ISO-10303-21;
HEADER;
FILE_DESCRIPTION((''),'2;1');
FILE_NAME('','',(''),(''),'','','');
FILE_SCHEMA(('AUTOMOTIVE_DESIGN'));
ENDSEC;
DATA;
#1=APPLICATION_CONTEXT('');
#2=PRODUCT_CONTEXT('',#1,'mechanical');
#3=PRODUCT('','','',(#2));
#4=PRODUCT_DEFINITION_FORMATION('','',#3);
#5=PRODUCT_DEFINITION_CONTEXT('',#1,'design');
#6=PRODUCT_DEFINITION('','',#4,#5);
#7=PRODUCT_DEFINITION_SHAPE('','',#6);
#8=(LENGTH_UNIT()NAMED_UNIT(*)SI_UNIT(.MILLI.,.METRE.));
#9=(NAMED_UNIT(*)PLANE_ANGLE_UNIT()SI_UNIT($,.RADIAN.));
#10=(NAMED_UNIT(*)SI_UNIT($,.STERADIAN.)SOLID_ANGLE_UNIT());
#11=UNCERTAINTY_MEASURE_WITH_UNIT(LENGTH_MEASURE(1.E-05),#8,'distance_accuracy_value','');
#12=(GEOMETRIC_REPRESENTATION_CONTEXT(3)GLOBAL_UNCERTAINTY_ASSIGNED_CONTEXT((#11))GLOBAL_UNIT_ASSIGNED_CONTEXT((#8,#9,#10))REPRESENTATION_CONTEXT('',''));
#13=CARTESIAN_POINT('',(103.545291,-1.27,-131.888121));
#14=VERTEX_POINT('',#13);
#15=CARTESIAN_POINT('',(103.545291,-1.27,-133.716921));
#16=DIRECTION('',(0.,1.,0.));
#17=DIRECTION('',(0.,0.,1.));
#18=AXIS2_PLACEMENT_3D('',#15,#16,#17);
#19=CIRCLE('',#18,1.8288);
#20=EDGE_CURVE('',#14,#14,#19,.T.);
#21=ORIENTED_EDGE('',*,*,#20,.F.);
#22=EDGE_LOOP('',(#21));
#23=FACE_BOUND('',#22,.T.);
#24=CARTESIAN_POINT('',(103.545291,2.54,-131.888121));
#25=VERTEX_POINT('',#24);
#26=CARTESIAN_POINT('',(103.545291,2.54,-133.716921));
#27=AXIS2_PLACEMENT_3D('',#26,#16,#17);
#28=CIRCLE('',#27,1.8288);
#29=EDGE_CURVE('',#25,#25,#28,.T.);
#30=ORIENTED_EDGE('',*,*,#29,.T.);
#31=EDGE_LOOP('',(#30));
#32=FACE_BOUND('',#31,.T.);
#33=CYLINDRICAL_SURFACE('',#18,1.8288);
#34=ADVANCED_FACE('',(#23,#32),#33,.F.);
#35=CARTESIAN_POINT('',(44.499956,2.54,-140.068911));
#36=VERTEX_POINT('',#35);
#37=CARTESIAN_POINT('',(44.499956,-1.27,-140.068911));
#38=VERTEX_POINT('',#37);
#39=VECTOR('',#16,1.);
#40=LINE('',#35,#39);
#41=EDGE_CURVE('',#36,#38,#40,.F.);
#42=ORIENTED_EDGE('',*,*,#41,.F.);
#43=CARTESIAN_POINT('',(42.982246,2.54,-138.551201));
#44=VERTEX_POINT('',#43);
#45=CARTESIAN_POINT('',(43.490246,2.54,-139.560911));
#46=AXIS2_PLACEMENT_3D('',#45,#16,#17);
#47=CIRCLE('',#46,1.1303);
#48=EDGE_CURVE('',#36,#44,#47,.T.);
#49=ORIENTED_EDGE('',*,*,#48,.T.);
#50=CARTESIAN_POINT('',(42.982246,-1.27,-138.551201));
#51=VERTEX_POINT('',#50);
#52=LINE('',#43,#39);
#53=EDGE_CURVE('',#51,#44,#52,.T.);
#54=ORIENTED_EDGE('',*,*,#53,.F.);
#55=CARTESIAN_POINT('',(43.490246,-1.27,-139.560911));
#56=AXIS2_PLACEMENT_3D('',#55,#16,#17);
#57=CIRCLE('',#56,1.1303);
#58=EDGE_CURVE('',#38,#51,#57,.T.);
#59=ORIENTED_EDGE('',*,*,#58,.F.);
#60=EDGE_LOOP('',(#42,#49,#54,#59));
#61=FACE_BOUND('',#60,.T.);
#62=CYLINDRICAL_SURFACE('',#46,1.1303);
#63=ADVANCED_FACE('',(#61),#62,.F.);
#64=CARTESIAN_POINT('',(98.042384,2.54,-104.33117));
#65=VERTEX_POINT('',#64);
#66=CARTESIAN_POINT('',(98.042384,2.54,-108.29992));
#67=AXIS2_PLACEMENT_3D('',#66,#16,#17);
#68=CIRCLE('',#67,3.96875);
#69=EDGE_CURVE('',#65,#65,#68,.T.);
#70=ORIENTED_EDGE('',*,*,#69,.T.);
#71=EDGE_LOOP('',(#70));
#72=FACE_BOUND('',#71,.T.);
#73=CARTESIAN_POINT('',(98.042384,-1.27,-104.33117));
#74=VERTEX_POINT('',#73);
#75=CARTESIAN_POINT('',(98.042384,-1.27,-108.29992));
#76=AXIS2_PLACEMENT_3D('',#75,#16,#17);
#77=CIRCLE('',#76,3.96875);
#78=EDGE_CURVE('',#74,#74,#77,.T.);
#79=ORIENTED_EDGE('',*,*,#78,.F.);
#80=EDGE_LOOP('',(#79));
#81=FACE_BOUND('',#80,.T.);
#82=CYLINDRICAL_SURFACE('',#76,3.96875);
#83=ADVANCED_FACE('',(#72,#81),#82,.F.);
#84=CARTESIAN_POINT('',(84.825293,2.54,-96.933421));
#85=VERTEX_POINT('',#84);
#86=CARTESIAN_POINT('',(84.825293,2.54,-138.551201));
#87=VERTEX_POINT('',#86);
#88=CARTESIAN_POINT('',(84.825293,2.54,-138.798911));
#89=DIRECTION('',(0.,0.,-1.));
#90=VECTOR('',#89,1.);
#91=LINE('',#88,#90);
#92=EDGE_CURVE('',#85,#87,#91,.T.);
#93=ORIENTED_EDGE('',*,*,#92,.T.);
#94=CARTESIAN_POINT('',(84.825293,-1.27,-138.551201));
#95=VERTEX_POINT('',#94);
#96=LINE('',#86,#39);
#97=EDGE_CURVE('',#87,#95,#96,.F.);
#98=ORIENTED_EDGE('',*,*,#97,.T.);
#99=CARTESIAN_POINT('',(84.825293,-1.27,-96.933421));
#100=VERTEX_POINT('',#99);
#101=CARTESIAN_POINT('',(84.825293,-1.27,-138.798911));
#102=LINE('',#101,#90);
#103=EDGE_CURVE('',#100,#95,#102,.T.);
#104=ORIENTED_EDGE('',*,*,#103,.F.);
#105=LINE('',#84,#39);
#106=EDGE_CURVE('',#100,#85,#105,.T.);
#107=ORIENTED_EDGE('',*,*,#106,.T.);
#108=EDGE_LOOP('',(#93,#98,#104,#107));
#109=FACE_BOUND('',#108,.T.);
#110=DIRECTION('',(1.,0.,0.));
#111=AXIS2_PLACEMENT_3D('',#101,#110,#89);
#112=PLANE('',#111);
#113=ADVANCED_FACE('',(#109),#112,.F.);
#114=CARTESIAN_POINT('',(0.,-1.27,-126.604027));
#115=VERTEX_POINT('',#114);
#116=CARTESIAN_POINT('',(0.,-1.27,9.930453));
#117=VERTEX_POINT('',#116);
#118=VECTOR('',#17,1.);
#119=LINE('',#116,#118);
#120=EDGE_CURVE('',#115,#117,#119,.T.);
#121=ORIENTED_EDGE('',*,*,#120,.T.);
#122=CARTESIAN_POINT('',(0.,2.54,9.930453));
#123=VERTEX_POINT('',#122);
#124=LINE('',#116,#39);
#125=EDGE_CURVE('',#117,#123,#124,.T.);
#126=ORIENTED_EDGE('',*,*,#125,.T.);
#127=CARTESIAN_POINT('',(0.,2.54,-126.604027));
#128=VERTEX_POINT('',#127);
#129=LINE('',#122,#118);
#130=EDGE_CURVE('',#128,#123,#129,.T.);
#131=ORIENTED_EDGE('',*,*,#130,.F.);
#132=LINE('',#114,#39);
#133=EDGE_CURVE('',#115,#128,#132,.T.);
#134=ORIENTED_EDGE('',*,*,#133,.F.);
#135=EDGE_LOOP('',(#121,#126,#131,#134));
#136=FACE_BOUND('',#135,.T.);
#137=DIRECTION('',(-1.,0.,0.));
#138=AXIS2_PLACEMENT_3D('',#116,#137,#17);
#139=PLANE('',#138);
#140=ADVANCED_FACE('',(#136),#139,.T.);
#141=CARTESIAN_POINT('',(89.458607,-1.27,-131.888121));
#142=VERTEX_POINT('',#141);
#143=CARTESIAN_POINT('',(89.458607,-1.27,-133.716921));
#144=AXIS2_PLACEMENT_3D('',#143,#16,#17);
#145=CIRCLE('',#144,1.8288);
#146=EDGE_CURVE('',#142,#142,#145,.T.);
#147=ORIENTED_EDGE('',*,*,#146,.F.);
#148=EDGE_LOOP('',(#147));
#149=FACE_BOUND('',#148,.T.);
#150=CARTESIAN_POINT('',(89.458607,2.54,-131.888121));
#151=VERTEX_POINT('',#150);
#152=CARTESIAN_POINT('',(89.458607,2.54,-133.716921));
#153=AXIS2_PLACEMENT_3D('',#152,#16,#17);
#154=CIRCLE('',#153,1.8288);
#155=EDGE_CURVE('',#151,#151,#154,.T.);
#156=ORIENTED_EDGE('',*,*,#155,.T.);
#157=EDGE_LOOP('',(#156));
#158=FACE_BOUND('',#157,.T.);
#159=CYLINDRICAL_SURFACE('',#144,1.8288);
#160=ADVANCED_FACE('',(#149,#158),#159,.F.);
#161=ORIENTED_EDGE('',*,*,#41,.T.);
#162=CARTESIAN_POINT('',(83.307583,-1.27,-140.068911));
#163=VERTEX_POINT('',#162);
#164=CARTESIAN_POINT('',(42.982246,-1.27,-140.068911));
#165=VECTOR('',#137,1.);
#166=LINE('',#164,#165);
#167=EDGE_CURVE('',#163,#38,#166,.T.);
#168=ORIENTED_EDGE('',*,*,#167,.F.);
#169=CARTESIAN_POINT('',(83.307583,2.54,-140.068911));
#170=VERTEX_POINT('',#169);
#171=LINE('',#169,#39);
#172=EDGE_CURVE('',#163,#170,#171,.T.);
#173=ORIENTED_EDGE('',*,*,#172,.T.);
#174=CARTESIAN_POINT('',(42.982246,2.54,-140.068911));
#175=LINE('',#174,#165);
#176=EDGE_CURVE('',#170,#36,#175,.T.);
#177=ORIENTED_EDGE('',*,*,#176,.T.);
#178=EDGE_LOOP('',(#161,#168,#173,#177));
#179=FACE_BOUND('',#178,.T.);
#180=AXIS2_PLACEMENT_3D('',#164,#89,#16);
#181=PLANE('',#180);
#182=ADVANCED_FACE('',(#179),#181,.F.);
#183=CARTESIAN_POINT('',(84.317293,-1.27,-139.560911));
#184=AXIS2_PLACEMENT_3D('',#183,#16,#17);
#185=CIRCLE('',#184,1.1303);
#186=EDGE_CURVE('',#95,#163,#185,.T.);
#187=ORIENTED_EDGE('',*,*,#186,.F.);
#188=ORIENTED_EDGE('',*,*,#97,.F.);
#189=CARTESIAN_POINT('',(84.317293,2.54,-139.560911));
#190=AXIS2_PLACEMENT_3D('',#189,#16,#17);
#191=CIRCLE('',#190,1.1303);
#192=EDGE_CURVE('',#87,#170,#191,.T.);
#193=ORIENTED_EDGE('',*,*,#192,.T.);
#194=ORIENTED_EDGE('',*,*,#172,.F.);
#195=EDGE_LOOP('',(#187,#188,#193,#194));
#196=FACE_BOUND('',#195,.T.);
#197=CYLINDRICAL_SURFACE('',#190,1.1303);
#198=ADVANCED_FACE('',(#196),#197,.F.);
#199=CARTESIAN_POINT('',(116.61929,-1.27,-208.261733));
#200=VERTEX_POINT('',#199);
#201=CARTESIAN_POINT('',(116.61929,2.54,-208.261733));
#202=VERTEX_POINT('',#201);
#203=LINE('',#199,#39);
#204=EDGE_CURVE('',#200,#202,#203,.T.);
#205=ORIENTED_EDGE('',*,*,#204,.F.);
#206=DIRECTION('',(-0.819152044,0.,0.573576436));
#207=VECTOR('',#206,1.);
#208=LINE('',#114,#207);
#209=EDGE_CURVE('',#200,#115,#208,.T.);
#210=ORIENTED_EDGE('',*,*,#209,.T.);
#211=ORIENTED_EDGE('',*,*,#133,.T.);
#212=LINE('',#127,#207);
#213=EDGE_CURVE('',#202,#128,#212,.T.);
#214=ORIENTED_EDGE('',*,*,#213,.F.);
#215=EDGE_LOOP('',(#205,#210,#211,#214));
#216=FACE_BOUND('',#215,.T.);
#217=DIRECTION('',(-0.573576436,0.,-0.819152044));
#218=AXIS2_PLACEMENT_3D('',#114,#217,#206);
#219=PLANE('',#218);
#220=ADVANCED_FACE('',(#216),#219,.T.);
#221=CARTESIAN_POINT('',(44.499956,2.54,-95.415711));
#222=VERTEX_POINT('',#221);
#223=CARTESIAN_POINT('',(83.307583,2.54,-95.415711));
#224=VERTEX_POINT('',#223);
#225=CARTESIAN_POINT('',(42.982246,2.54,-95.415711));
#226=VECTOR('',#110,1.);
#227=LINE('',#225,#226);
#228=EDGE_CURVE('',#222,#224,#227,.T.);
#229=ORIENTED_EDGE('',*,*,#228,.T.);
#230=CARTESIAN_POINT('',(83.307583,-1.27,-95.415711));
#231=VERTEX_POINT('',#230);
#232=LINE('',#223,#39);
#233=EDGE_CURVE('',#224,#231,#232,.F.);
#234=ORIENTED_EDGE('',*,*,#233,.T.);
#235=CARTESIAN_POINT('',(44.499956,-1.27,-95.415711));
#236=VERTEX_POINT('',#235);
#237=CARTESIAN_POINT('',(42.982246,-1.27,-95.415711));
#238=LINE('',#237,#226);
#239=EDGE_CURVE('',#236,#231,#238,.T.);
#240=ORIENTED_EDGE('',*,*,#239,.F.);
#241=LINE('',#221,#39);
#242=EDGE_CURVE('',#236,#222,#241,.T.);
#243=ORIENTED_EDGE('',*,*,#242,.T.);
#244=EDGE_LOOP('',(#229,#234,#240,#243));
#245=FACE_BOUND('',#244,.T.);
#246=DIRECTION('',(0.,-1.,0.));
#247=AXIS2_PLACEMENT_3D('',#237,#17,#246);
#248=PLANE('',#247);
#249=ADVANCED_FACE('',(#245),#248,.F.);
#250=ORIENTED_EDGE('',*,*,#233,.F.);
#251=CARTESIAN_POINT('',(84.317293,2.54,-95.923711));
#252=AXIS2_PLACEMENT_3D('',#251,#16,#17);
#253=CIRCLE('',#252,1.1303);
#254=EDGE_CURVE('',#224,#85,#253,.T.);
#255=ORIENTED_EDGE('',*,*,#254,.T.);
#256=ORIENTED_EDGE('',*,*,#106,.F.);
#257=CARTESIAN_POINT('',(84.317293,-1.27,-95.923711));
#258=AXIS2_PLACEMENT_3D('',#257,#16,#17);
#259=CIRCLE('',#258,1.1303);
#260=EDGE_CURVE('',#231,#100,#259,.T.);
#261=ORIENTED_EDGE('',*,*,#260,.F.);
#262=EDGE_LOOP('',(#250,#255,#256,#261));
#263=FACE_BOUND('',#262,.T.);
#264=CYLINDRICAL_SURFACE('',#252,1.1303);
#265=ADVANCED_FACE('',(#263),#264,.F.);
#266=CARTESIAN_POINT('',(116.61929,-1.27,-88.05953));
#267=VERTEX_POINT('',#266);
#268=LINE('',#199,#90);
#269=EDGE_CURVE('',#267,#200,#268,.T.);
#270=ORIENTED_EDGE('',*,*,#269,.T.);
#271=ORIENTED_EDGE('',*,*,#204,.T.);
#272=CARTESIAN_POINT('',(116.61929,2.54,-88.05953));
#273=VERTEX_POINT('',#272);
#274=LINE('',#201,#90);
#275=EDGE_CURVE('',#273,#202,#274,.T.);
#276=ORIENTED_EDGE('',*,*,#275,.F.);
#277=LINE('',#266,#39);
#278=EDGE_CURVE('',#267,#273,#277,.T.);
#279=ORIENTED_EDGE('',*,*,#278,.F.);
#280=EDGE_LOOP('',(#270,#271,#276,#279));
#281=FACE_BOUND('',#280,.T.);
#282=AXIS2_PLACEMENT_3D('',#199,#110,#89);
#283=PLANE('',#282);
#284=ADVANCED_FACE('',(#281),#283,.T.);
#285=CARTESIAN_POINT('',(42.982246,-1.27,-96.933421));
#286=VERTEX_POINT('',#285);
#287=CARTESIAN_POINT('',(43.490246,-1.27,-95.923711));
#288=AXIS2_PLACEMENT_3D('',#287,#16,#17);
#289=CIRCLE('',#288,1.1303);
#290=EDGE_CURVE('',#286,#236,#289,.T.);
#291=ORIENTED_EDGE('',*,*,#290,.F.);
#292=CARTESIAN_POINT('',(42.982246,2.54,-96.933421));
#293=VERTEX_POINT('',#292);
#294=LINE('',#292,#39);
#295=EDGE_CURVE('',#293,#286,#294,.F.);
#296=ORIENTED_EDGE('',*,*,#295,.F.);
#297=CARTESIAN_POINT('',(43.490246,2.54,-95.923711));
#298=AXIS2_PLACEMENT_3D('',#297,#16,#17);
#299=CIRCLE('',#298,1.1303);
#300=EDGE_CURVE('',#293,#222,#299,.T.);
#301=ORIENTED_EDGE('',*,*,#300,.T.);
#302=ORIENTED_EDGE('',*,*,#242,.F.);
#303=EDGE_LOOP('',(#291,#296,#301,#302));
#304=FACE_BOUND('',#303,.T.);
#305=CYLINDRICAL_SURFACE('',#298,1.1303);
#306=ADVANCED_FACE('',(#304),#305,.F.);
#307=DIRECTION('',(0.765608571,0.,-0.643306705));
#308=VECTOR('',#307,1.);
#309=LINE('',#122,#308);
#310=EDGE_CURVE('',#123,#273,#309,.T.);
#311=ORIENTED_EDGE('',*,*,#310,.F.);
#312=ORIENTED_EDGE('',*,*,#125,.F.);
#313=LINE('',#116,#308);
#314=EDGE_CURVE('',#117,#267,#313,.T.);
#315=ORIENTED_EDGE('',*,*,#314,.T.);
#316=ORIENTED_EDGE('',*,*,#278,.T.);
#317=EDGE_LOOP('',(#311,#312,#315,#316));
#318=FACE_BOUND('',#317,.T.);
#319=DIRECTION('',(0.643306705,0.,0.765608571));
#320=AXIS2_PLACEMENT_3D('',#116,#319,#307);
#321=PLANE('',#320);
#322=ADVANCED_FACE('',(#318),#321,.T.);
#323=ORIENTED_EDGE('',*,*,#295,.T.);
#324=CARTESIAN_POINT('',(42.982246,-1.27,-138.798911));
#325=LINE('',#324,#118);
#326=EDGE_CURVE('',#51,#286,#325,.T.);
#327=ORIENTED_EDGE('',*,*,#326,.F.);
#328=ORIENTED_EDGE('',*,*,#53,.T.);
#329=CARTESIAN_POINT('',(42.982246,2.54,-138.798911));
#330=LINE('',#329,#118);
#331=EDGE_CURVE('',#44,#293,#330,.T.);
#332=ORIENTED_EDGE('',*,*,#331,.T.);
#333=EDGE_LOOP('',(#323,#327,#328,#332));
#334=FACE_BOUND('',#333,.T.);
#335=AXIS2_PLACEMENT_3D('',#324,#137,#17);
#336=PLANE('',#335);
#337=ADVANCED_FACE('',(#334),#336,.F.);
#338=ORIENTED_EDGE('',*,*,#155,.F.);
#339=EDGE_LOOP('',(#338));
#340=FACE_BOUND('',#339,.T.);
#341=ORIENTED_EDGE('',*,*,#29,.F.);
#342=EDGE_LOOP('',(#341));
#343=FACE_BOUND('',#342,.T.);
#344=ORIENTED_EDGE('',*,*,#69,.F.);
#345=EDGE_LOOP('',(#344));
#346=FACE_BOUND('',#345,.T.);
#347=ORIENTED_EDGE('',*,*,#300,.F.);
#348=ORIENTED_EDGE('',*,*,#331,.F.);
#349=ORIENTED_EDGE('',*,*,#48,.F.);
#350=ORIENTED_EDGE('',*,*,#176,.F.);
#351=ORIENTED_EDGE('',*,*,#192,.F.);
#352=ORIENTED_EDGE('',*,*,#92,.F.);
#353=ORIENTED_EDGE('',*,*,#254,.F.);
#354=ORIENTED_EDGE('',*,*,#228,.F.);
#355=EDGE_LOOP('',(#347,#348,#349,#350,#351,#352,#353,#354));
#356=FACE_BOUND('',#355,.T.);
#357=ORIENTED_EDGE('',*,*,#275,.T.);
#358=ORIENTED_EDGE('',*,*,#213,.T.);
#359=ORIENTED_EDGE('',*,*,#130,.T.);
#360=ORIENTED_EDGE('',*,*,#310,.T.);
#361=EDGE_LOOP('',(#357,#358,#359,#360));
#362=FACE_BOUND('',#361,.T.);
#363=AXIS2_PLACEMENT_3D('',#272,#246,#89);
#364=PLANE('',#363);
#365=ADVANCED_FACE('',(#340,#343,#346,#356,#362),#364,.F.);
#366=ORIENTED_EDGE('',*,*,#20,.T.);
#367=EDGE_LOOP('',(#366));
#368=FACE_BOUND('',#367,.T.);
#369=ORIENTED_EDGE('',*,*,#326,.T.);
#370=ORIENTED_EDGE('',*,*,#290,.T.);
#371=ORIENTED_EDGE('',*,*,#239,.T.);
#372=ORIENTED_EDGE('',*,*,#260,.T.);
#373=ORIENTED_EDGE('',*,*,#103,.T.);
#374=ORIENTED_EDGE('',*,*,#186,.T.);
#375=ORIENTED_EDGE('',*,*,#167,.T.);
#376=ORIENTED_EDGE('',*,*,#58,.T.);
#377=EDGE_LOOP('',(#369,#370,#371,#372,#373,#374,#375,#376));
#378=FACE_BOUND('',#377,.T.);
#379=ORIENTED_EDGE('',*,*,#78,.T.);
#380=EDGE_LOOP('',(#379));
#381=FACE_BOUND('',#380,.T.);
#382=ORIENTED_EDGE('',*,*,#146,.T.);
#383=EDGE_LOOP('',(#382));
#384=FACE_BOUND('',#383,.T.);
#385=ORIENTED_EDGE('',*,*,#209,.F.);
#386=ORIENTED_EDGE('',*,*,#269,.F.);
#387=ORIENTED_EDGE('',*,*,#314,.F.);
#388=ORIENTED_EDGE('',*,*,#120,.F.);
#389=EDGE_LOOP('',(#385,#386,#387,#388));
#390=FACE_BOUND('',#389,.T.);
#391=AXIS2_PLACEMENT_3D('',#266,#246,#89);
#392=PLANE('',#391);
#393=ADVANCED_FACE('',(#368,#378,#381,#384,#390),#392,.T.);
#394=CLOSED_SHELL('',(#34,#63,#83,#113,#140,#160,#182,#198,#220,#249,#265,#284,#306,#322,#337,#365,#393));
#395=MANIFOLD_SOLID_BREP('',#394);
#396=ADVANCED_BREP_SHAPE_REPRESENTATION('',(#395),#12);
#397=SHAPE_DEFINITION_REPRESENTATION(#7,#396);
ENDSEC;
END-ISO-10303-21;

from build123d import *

# Parameters (mm, degrees)
BOSS_EXTRUDE1_DEPTH         = 2.54
BOSS_EXTRUDE1_DEPTH_BACK    = 1.27
SKETCH1_R                   = 3.96875
SKETCH1_R_2                 = 1.8288
SKETCH1_W                   = 41.843046883
SKETCH1_H                   = 42.037
SKETCH2_W                   = 41.843046883
SKETCH2_H                   = 1.3462
SKETCH2_H_2                 = 1.27
CUT_EXTRUDE1_DEPTH          = 239.72059927
F_43_0_089_DIAMETER_HOLE1_D = 2.2606


with BuildPart() as part:
    # Sketch1 → Boss-Extrude1 (new, two sides: drawn at the far end of the back side and taken through both)
    with BuildSketch(Plane(origin=(0, 0, 0), x_dir=(1, 0, 0), z_dir=(0, 1, 0)).offset(-BOSS_EXTRUDE1_DEPTH_BACK)):
        Polygon((0, -9.930453132), (0, 126.604027306), (116.61929014, 208.261733362), (116.61929014, 88.059530464), align=None)
        with Locations(Location((98.042383887, 108.299920281, 0), (0, 0, 270))):
            Circle(SKETCH1_R, mode=Mode.SUBTRACT)
        with Locations(Location((89.458607167, 133.716920501, 0), (0, 0, 270))):
            Circle(SKETCH1_R_2, mode=Mode.SUBTRACT)
        with Locations(Location((103.545290714, 133.716920501, 0), (0, 0, 270))):
            Circle(SKETCH1_R_2, mode=Mode.SUBTRACT)
        with Locations((63.903769784, 117.780411398)):
            Rectangle(SKETCH1_W, SKETCH1_H, mode=Mode.SUBTRACT)
    extrude(amount=BOSS_EXTRUDE1_DEPTH + BOSS_EXTRUDE1_DEPTH_BACK)

    # Sketch2 → Cut-Extrude1 (cut, through all)
    with BuildSketch(Plane(origin=(0, 2.54, 0), x_dir=(1, 0, 0), z_dir=(0, 1, 0))):
        with Locations((63.903769784, 96.088811398)):
            Rectangle(SKETCH2_W, SKETCH2_H)
        with Locations((63.903769784, 139.433911398)):
            Rectangle(SKETCH2_W, SKETCH2_H_2)
    extrude(amount=-CUT_EXTRUDE1_DEPTH, mode=Mode.SUBTRACT)

    # #43 (0.089) Diameter Hole1 (through all)
    with Locations(Plane(origin=(0, 2.54, 0), x_dir=(1, 0, 0), z_dir=(0, 1, 0))):
        with Locations((84.317293225, 95.923711398), (84.317293225, 139.560911398), (43.490246342, 95.923711398), (43.490246342, 139.560911398)):
            Hole(F_43_0_089_DIAMETER_HOLE1_D / 2)


solid = part.part
